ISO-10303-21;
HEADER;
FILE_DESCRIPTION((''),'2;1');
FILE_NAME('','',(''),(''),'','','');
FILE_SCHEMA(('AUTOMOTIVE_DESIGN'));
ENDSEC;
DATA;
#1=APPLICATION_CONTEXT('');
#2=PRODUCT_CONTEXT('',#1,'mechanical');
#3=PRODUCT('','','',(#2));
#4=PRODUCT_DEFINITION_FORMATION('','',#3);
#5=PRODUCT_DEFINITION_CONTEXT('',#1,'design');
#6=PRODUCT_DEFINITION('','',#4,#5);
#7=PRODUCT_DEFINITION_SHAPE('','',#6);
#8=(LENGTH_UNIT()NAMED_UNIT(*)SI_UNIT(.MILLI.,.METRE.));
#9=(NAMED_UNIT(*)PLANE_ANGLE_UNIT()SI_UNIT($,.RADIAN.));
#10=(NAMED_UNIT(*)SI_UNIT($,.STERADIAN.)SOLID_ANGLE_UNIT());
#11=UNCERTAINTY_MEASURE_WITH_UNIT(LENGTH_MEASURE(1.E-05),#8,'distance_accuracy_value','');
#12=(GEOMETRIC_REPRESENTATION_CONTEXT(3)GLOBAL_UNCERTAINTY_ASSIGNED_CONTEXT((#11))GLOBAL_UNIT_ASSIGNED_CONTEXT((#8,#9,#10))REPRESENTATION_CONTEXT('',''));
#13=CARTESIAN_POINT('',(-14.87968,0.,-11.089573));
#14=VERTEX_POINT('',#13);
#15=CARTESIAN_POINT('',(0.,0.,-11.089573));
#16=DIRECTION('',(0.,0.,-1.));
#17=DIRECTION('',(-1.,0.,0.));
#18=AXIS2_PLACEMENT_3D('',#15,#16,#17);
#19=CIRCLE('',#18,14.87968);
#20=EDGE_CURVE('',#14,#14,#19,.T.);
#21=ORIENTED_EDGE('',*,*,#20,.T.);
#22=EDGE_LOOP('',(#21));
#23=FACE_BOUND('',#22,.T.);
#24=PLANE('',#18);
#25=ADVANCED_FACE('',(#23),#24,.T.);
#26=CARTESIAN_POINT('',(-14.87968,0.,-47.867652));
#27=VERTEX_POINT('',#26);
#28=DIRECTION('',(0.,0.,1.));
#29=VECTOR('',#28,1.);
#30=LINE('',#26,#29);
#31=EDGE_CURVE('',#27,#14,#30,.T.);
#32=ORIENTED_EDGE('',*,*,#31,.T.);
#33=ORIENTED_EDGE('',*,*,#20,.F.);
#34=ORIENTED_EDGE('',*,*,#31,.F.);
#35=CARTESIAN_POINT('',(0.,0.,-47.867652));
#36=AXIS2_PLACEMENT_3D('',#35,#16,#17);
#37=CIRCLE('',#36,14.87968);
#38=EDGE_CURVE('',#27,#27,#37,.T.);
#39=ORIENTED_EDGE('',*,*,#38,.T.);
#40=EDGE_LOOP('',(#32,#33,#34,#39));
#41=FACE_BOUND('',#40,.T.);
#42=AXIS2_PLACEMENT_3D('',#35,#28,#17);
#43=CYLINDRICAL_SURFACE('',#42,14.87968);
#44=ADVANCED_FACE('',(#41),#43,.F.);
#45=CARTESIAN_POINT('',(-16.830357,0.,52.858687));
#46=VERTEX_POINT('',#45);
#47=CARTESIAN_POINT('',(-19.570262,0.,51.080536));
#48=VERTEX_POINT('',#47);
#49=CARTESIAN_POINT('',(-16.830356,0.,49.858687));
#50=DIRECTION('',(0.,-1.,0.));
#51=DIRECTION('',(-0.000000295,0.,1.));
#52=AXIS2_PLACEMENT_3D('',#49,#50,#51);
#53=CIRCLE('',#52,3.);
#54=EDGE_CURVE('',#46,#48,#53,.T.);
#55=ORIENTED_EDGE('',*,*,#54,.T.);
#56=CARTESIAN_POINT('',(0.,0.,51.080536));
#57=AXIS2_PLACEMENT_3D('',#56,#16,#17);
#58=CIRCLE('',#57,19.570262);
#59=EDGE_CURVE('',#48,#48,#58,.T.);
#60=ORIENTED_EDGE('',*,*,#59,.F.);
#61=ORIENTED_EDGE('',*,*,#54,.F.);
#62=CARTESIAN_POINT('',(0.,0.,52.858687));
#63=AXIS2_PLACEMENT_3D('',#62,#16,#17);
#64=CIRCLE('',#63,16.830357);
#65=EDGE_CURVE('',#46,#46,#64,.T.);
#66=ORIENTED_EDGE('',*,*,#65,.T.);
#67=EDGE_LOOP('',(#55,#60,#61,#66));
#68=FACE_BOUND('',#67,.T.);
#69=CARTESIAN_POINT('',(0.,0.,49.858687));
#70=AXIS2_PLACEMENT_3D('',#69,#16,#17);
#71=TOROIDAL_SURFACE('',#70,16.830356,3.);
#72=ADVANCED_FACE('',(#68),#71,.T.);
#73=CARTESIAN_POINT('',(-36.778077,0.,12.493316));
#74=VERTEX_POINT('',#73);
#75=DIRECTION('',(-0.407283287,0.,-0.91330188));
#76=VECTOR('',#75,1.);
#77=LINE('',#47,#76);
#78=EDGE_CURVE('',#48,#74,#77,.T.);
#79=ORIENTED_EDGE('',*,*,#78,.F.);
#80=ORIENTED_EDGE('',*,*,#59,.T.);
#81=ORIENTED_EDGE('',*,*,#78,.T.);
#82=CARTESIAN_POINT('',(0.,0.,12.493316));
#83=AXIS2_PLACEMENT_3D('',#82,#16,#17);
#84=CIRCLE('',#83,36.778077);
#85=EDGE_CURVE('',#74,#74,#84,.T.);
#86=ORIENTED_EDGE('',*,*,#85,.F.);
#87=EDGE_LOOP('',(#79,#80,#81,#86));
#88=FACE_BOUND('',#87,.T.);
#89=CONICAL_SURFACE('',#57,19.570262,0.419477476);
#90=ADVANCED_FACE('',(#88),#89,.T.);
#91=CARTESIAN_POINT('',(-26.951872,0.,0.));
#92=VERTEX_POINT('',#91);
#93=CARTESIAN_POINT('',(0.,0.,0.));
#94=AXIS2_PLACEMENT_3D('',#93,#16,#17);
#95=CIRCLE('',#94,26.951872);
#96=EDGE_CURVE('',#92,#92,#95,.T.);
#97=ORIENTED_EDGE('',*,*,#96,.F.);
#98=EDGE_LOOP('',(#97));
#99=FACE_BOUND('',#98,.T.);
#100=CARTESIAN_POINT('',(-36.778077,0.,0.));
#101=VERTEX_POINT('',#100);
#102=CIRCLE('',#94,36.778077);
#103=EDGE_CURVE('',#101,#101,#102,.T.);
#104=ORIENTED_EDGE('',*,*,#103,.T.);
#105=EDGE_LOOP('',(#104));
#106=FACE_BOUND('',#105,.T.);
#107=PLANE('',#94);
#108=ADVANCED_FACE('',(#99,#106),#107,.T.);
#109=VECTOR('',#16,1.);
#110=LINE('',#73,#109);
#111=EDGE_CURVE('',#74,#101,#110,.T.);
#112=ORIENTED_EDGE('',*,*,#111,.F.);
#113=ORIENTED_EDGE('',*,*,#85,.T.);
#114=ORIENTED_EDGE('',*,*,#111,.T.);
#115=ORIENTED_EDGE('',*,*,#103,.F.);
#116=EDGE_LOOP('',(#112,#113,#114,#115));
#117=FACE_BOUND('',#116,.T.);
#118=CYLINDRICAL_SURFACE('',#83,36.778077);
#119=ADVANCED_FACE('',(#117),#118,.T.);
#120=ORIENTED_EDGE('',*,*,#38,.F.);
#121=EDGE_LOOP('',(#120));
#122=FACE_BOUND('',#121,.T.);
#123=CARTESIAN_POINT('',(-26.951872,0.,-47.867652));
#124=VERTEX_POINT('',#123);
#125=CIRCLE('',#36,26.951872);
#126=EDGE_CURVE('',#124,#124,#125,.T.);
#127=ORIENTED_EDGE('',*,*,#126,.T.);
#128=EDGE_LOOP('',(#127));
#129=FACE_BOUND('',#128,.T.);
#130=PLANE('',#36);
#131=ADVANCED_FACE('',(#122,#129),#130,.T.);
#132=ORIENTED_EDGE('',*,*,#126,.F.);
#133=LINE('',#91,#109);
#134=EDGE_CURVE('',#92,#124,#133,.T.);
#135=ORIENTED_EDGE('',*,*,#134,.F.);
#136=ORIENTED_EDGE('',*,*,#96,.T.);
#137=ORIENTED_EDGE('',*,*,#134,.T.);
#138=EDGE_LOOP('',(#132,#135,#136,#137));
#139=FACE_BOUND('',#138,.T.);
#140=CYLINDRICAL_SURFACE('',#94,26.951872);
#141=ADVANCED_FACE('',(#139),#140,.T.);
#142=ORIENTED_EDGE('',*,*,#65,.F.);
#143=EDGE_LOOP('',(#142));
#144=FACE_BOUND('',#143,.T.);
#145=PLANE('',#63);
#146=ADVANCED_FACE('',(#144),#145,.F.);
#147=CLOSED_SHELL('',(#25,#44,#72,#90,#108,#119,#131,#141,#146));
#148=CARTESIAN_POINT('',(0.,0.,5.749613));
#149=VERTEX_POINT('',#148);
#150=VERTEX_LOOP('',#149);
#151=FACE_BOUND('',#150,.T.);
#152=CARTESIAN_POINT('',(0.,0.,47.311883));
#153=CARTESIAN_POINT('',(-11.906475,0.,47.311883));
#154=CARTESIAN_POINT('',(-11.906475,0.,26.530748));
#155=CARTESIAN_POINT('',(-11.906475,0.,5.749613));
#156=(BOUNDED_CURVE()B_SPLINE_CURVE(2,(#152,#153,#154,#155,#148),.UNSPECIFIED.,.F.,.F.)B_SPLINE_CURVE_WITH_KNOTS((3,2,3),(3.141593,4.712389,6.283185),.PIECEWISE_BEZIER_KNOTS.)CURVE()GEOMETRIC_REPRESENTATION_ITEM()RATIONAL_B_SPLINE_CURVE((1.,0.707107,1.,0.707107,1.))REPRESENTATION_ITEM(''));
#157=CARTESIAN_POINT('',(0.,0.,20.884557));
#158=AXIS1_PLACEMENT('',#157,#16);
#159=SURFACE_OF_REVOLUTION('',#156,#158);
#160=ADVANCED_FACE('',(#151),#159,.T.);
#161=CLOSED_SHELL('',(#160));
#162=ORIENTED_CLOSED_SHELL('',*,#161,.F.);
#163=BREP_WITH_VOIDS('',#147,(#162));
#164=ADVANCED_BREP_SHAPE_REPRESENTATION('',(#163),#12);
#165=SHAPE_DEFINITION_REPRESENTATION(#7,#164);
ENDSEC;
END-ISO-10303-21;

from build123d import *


with BuildPart() as f1:
    # F0 (on Front) → F1 (revolve)
    with BuildSketch(Plane.XZ):
        with BuildLine():
            Line((-26.951872, -47.867652), (-14.87968, -47.867652))
            Line((-14.87968, -47.867652), (-14.87968, -11.089573))
            Line((-14.87968, -11.089573), (0, -11.089573))
            Line((0, -11.089573), (0, 5.749613))
            add(Edge.make_bspline(
                [(0, 47.311883), (-11.906475, 47.311883), (-11.906475, 26.530748), (-11.906475, 5.749613), (0, 5.749613)],
                knots=[3.141593, 3.141593, 3.141593, 4.712389, 4.712389, 6.283185, 6.283185, 6.283185], degree=2, weights=[1, 0.707107, 1, 0.707107, 1]))
            Line((0, 47.311883), (0, 52.858687))
            Line((0, 52.858687), (-16.830357, 52.858687))
            ThreePointArc((-16.830357, 52.858687), (-18.463521, 52.375187), (-19.570262, 51.080536))
            Line((-19.570262, 51.080536), (-36.778077, 12.493316))
            Line((-36.778077, 12.493316), (-36.778077, 0))
            Line((-36.778077, 0), (-26.951872, 0))
            Line((-26.951872, 0), (-26.951872, -47.867652))
        make_face()
    revolve(axis=Axis((0, 0, 20.884557), (0, 0, -1)))


solid = f1.part
